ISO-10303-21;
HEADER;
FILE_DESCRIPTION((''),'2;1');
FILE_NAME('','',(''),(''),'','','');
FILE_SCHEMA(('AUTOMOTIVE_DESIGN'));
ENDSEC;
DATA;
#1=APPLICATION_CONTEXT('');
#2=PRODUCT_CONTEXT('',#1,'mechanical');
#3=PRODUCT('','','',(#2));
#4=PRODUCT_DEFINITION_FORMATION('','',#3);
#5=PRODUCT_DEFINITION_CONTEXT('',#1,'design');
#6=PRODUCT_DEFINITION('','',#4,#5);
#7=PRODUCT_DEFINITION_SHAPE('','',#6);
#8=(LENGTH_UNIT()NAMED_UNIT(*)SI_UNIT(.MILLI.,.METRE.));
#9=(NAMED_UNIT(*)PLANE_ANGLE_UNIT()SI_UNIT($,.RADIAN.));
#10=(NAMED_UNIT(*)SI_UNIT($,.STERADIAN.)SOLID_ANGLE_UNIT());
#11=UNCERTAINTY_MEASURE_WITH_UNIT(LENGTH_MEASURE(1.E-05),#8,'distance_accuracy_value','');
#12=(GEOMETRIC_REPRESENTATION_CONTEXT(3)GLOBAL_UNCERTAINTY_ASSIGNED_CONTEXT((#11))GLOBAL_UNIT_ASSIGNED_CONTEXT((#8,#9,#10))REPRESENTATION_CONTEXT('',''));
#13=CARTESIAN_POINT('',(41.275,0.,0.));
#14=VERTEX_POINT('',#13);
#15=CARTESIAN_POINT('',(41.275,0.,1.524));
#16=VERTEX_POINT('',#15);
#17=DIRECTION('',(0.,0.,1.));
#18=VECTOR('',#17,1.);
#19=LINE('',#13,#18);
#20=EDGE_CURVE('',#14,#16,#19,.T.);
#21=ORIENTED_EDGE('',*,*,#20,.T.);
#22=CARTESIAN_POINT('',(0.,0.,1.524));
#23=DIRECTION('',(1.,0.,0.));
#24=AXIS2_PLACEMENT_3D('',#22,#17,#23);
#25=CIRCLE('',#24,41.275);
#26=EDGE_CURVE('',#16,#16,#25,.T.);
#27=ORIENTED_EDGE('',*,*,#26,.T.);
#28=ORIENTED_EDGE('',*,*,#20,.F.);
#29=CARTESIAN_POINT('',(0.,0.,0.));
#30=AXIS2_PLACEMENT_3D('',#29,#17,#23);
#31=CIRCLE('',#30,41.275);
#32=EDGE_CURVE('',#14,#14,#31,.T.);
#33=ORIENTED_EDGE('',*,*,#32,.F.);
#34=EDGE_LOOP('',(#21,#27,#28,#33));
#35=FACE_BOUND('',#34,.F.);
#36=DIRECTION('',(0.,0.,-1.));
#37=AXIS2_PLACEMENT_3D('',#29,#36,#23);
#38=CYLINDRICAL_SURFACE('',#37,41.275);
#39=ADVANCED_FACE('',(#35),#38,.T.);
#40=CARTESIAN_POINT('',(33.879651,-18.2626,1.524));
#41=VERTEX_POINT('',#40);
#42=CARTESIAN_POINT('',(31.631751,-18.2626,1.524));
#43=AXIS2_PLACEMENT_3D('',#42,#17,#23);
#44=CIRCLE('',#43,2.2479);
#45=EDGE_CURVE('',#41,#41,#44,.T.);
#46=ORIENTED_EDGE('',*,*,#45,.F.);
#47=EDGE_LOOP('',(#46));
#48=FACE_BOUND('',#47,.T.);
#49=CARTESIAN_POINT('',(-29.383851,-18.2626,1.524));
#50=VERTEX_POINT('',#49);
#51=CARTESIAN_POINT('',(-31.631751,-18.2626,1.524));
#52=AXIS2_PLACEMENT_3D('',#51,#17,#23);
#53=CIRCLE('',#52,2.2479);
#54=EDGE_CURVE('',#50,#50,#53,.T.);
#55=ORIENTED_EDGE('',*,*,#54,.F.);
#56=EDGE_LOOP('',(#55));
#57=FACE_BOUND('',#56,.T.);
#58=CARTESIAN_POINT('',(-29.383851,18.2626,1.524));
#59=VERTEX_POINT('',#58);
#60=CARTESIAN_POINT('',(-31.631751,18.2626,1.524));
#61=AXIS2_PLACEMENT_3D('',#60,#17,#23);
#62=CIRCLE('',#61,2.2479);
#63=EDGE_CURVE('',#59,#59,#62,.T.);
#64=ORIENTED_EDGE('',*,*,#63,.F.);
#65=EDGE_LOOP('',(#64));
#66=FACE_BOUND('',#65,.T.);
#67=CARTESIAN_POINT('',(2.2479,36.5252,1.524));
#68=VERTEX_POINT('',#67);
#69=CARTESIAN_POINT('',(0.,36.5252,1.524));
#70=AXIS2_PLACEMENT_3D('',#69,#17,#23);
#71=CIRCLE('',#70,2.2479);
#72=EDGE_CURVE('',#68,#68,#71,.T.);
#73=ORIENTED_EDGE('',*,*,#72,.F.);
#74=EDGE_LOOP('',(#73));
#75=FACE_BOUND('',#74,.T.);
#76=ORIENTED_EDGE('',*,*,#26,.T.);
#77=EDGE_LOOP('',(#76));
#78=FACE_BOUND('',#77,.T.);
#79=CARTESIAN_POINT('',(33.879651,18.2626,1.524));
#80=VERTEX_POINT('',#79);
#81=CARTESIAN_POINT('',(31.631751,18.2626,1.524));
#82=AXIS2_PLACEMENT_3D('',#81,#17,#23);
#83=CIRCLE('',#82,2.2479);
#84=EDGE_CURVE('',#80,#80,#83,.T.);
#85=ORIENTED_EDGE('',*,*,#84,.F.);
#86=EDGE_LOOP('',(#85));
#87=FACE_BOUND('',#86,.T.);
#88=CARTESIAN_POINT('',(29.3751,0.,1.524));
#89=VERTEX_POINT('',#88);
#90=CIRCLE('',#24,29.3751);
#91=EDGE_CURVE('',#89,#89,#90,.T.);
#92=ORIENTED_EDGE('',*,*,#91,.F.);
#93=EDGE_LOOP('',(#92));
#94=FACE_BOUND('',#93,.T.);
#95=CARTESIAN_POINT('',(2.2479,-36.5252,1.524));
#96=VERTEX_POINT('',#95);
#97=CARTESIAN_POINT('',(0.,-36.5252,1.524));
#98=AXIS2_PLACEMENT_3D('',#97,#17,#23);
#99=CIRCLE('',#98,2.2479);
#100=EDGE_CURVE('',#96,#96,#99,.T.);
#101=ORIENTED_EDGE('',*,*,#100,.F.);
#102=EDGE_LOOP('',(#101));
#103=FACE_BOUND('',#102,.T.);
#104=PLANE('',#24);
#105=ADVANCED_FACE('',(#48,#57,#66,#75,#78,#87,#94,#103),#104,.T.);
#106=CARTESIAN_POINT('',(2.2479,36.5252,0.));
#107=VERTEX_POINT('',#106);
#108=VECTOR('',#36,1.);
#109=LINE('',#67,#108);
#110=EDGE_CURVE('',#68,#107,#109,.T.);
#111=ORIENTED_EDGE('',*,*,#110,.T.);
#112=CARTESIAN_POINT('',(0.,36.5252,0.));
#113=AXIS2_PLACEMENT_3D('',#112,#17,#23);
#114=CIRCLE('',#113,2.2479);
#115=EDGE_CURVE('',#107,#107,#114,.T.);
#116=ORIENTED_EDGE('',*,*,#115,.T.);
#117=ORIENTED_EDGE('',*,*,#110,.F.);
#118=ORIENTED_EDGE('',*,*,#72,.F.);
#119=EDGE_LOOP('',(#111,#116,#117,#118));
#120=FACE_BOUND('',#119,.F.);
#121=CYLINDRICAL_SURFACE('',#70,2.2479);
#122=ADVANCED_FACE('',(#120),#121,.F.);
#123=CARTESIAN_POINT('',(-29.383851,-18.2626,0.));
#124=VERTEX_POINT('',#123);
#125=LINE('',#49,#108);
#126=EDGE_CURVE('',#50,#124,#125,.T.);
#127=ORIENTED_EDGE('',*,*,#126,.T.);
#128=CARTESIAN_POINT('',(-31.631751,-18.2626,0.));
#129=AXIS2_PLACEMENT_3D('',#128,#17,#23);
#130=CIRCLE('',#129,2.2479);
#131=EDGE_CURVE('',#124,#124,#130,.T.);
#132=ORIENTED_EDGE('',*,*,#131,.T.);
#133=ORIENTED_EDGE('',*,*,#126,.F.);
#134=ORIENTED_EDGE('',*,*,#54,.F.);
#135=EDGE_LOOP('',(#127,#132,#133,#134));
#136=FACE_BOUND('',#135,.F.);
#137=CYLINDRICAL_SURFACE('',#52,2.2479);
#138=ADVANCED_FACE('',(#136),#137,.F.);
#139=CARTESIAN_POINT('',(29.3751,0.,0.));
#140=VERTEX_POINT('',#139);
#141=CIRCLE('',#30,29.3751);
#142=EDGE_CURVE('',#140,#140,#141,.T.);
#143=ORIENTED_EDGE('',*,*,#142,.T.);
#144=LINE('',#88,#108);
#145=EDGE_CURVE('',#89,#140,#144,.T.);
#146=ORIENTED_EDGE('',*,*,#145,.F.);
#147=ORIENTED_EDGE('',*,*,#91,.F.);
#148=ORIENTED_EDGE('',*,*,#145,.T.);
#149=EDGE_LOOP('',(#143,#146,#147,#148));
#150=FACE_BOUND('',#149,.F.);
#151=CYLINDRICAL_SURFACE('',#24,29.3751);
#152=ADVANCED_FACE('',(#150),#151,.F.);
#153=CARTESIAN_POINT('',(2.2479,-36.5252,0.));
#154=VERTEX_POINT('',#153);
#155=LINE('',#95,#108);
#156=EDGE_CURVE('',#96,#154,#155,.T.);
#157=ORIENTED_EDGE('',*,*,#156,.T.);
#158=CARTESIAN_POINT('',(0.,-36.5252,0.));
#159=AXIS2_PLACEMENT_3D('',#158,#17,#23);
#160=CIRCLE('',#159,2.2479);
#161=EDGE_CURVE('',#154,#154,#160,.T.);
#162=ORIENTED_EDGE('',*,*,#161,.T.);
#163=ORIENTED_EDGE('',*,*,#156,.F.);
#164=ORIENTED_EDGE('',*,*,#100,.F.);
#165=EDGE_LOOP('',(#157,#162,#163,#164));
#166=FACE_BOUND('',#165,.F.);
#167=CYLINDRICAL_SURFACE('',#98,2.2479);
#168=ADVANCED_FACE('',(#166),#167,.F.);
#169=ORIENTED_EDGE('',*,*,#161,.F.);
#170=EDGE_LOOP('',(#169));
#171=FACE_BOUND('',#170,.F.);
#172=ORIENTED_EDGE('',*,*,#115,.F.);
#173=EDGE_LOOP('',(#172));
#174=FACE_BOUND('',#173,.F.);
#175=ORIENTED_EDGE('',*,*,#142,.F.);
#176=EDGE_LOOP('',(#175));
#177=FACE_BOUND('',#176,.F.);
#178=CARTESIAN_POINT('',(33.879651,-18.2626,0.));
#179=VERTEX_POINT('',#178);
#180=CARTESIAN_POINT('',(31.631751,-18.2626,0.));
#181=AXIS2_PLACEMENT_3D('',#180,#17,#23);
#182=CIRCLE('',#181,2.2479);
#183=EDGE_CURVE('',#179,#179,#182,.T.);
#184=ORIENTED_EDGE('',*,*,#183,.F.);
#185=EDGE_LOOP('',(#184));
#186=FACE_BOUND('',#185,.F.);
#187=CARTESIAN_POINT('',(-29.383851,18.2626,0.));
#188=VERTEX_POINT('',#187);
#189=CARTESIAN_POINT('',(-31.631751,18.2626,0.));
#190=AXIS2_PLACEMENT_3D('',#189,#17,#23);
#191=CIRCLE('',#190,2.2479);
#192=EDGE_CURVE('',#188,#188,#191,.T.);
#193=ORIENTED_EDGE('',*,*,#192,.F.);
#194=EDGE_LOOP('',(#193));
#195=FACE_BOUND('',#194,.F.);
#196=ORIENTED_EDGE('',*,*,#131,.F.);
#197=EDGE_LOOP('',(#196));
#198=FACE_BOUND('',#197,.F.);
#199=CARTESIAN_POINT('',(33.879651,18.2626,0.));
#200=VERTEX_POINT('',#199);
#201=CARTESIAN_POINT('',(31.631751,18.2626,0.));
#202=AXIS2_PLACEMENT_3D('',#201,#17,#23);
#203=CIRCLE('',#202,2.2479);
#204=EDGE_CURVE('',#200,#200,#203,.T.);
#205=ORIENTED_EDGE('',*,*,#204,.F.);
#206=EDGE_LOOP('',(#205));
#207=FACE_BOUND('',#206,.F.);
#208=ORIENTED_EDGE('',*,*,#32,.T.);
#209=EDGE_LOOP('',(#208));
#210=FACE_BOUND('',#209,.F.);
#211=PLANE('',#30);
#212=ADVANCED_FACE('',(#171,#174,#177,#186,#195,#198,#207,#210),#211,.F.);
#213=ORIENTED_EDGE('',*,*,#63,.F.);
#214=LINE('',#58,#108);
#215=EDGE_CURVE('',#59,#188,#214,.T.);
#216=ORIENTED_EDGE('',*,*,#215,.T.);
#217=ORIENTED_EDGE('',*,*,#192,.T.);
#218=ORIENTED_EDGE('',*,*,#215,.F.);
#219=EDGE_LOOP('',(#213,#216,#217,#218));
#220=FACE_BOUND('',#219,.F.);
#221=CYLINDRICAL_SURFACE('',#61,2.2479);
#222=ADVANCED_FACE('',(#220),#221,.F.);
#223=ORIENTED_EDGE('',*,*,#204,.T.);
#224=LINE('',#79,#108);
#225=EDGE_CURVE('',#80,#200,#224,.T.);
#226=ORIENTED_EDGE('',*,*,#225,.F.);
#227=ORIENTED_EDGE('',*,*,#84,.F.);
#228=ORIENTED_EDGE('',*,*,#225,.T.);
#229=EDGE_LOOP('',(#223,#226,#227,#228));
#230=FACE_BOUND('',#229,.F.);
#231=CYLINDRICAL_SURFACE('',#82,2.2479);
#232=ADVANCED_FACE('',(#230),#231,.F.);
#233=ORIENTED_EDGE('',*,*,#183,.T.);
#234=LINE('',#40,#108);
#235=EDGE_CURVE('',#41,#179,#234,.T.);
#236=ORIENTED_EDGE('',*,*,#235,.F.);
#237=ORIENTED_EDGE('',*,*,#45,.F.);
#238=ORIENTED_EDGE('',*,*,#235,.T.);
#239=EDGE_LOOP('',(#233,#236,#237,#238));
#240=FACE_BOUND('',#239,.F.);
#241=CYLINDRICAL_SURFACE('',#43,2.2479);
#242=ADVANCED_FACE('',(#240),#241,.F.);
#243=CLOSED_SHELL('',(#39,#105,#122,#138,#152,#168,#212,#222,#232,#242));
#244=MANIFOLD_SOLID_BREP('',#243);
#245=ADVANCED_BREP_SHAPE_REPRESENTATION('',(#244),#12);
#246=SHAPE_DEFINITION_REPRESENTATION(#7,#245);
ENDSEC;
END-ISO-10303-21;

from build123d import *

# Parameters (mm, degrees)
F0_R     = 41.275
F1_DEPTH = 1.524
F2_R     = 2.2479
F3_DEPTH = 1.524
F4_R     = 29.3751
F5_DEPTH = 1.524


with BuildPart() as f1:
    # F0 (on Top) → F1 (new body)
    with BuildSketch(Plane.XY):
        Circle(F0_R)
    extrude(amount=F1_DEPTH)

    # F2 (on face) → F3 (cut, through all)
    with BuildSketch(Plane.XY.offset(1.524)):
        with Locations((0, 36.5252)):
            Circle(F2_R)
        with Locations((-31.631751, 18.2626)):
            Circle(F2_R)
        with Locations((-31.631751, -18.2626)):
            Circle(F2_R)
        with Locations((0, -36.5252)):
            Circle(F2_R)
        with Locations((31.631751, -18.2626)):
            Circle(F2_R)
        with Locations((31.631751, 18.2626)):
            Circle(F2_R)
    extrude(amount=-F3_DEPTH, mode=Mode.SUBTRACT)

    # F4 (on face) → F5 (cut, through all)
    with BuildSketch(Plane.XY.offset(1.524)):
        Circle(F4_R)
    extrude(amount=-F5_DEPTH, mode=Mode.SUBTRACT)


solid = f1.part
